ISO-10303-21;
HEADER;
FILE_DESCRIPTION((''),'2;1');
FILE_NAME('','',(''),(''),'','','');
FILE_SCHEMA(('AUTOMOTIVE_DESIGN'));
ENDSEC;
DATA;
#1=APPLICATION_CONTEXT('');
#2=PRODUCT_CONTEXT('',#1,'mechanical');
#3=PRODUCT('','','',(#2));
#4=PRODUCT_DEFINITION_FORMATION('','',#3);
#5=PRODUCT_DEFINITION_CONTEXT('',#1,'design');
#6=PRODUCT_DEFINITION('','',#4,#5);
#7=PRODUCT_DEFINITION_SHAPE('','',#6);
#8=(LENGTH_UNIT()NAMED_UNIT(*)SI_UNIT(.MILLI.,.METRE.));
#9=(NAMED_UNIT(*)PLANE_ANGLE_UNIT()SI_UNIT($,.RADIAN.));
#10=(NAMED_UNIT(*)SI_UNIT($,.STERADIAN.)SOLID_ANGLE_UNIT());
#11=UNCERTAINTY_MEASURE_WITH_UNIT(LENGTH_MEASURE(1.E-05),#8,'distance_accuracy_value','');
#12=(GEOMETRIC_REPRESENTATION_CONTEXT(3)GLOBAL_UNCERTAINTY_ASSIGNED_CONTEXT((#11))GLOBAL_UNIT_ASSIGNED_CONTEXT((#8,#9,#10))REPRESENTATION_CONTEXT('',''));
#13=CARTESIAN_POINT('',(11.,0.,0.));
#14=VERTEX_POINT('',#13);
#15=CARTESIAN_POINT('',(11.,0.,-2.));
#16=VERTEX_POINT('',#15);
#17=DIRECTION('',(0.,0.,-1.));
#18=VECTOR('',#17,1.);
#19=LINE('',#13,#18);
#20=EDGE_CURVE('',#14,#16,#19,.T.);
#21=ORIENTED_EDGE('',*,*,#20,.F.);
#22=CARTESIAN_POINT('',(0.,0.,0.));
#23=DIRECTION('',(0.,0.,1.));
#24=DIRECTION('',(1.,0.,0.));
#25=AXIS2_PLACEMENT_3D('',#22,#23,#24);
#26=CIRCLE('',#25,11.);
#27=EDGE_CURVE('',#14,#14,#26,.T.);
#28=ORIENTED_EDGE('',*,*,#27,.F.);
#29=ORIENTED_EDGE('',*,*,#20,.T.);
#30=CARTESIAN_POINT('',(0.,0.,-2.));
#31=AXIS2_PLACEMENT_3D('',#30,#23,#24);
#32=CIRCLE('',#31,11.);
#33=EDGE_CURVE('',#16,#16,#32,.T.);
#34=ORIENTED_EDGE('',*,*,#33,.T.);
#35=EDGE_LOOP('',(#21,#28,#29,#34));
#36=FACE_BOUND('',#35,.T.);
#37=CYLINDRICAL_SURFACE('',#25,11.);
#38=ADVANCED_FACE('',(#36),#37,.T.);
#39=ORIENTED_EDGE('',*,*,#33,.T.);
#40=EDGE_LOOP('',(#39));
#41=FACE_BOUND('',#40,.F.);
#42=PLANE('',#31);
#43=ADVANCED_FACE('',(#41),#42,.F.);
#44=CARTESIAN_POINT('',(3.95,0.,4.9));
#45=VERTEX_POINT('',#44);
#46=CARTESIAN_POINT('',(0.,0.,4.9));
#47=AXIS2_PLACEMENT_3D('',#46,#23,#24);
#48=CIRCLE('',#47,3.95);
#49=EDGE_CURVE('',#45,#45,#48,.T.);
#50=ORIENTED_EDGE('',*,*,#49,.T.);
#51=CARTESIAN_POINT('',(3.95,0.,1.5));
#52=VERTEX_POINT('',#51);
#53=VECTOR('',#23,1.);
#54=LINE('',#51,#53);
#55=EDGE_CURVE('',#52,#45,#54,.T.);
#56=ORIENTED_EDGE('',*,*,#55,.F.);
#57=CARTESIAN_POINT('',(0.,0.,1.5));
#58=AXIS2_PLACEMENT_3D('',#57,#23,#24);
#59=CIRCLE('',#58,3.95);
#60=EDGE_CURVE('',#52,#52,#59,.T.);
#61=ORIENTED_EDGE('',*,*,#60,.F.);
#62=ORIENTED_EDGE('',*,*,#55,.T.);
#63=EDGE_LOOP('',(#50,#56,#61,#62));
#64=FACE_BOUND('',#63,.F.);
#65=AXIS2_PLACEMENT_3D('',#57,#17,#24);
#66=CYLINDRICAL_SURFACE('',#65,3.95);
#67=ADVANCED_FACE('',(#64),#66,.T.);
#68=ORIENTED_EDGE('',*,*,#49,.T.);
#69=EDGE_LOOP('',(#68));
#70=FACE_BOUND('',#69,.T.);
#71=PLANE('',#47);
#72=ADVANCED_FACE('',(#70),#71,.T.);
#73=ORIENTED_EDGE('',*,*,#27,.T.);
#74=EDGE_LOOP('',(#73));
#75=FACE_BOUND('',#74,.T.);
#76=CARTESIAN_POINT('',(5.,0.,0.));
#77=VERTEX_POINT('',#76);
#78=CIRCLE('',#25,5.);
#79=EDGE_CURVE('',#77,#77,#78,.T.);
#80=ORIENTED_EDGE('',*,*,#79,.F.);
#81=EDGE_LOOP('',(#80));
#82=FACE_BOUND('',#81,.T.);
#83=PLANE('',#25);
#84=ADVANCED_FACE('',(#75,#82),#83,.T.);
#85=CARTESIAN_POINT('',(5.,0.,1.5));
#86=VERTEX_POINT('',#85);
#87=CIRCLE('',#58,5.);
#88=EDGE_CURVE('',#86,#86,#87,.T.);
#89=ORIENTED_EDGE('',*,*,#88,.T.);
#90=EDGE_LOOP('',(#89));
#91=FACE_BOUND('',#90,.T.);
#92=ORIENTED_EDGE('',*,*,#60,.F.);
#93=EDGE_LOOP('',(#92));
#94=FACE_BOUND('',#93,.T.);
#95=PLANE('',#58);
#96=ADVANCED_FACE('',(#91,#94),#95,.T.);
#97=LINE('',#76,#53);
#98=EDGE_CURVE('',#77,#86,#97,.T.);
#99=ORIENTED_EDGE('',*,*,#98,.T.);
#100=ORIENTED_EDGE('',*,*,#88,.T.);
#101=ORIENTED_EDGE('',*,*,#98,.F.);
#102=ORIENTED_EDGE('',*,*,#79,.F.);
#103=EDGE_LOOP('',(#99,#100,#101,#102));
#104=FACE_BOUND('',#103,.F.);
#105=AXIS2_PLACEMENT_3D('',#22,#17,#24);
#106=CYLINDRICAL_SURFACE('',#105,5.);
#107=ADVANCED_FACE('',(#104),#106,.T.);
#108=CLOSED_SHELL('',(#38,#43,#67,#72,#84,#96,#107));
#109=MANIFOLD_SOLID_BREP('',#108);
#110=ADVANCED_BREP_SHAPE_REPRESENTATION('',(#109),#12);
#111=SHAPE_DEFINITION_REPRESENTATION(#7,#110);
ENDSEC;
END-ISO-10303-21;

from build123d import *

# Parameters (mm, degrees)
F0_R     = 11
F0_R_2   = 5
F1_DEPTH = 2
F2_DEPTH = 1.5
F3_R     = 3.95
F4_DEPTH = 3.4


with BuildPart() as f1:
    # F0 (on Top) → F1 (new body)
    with BuildSketch(Plane.XY):
        Circle(F0_R)
        Circle(F0_R_2, mode=Mode.SUBTRACT)
        Circle(F0_R_2)
    extrude(amount=-F1_DEPTH)

    # F0 (on Top) → F2 (join)
    with BuildSketch(Plane.XY):
        Circle(F0_R_2)
    extrude(amount=F2_DEPTH)

    # F3 (on face) → F4 (join)
    with BuildSketch(Plane.XY.offset(1.5)):
        Circle(F3_R)
    extrude(amount=F4_DEPTH)


solid = f1.part
